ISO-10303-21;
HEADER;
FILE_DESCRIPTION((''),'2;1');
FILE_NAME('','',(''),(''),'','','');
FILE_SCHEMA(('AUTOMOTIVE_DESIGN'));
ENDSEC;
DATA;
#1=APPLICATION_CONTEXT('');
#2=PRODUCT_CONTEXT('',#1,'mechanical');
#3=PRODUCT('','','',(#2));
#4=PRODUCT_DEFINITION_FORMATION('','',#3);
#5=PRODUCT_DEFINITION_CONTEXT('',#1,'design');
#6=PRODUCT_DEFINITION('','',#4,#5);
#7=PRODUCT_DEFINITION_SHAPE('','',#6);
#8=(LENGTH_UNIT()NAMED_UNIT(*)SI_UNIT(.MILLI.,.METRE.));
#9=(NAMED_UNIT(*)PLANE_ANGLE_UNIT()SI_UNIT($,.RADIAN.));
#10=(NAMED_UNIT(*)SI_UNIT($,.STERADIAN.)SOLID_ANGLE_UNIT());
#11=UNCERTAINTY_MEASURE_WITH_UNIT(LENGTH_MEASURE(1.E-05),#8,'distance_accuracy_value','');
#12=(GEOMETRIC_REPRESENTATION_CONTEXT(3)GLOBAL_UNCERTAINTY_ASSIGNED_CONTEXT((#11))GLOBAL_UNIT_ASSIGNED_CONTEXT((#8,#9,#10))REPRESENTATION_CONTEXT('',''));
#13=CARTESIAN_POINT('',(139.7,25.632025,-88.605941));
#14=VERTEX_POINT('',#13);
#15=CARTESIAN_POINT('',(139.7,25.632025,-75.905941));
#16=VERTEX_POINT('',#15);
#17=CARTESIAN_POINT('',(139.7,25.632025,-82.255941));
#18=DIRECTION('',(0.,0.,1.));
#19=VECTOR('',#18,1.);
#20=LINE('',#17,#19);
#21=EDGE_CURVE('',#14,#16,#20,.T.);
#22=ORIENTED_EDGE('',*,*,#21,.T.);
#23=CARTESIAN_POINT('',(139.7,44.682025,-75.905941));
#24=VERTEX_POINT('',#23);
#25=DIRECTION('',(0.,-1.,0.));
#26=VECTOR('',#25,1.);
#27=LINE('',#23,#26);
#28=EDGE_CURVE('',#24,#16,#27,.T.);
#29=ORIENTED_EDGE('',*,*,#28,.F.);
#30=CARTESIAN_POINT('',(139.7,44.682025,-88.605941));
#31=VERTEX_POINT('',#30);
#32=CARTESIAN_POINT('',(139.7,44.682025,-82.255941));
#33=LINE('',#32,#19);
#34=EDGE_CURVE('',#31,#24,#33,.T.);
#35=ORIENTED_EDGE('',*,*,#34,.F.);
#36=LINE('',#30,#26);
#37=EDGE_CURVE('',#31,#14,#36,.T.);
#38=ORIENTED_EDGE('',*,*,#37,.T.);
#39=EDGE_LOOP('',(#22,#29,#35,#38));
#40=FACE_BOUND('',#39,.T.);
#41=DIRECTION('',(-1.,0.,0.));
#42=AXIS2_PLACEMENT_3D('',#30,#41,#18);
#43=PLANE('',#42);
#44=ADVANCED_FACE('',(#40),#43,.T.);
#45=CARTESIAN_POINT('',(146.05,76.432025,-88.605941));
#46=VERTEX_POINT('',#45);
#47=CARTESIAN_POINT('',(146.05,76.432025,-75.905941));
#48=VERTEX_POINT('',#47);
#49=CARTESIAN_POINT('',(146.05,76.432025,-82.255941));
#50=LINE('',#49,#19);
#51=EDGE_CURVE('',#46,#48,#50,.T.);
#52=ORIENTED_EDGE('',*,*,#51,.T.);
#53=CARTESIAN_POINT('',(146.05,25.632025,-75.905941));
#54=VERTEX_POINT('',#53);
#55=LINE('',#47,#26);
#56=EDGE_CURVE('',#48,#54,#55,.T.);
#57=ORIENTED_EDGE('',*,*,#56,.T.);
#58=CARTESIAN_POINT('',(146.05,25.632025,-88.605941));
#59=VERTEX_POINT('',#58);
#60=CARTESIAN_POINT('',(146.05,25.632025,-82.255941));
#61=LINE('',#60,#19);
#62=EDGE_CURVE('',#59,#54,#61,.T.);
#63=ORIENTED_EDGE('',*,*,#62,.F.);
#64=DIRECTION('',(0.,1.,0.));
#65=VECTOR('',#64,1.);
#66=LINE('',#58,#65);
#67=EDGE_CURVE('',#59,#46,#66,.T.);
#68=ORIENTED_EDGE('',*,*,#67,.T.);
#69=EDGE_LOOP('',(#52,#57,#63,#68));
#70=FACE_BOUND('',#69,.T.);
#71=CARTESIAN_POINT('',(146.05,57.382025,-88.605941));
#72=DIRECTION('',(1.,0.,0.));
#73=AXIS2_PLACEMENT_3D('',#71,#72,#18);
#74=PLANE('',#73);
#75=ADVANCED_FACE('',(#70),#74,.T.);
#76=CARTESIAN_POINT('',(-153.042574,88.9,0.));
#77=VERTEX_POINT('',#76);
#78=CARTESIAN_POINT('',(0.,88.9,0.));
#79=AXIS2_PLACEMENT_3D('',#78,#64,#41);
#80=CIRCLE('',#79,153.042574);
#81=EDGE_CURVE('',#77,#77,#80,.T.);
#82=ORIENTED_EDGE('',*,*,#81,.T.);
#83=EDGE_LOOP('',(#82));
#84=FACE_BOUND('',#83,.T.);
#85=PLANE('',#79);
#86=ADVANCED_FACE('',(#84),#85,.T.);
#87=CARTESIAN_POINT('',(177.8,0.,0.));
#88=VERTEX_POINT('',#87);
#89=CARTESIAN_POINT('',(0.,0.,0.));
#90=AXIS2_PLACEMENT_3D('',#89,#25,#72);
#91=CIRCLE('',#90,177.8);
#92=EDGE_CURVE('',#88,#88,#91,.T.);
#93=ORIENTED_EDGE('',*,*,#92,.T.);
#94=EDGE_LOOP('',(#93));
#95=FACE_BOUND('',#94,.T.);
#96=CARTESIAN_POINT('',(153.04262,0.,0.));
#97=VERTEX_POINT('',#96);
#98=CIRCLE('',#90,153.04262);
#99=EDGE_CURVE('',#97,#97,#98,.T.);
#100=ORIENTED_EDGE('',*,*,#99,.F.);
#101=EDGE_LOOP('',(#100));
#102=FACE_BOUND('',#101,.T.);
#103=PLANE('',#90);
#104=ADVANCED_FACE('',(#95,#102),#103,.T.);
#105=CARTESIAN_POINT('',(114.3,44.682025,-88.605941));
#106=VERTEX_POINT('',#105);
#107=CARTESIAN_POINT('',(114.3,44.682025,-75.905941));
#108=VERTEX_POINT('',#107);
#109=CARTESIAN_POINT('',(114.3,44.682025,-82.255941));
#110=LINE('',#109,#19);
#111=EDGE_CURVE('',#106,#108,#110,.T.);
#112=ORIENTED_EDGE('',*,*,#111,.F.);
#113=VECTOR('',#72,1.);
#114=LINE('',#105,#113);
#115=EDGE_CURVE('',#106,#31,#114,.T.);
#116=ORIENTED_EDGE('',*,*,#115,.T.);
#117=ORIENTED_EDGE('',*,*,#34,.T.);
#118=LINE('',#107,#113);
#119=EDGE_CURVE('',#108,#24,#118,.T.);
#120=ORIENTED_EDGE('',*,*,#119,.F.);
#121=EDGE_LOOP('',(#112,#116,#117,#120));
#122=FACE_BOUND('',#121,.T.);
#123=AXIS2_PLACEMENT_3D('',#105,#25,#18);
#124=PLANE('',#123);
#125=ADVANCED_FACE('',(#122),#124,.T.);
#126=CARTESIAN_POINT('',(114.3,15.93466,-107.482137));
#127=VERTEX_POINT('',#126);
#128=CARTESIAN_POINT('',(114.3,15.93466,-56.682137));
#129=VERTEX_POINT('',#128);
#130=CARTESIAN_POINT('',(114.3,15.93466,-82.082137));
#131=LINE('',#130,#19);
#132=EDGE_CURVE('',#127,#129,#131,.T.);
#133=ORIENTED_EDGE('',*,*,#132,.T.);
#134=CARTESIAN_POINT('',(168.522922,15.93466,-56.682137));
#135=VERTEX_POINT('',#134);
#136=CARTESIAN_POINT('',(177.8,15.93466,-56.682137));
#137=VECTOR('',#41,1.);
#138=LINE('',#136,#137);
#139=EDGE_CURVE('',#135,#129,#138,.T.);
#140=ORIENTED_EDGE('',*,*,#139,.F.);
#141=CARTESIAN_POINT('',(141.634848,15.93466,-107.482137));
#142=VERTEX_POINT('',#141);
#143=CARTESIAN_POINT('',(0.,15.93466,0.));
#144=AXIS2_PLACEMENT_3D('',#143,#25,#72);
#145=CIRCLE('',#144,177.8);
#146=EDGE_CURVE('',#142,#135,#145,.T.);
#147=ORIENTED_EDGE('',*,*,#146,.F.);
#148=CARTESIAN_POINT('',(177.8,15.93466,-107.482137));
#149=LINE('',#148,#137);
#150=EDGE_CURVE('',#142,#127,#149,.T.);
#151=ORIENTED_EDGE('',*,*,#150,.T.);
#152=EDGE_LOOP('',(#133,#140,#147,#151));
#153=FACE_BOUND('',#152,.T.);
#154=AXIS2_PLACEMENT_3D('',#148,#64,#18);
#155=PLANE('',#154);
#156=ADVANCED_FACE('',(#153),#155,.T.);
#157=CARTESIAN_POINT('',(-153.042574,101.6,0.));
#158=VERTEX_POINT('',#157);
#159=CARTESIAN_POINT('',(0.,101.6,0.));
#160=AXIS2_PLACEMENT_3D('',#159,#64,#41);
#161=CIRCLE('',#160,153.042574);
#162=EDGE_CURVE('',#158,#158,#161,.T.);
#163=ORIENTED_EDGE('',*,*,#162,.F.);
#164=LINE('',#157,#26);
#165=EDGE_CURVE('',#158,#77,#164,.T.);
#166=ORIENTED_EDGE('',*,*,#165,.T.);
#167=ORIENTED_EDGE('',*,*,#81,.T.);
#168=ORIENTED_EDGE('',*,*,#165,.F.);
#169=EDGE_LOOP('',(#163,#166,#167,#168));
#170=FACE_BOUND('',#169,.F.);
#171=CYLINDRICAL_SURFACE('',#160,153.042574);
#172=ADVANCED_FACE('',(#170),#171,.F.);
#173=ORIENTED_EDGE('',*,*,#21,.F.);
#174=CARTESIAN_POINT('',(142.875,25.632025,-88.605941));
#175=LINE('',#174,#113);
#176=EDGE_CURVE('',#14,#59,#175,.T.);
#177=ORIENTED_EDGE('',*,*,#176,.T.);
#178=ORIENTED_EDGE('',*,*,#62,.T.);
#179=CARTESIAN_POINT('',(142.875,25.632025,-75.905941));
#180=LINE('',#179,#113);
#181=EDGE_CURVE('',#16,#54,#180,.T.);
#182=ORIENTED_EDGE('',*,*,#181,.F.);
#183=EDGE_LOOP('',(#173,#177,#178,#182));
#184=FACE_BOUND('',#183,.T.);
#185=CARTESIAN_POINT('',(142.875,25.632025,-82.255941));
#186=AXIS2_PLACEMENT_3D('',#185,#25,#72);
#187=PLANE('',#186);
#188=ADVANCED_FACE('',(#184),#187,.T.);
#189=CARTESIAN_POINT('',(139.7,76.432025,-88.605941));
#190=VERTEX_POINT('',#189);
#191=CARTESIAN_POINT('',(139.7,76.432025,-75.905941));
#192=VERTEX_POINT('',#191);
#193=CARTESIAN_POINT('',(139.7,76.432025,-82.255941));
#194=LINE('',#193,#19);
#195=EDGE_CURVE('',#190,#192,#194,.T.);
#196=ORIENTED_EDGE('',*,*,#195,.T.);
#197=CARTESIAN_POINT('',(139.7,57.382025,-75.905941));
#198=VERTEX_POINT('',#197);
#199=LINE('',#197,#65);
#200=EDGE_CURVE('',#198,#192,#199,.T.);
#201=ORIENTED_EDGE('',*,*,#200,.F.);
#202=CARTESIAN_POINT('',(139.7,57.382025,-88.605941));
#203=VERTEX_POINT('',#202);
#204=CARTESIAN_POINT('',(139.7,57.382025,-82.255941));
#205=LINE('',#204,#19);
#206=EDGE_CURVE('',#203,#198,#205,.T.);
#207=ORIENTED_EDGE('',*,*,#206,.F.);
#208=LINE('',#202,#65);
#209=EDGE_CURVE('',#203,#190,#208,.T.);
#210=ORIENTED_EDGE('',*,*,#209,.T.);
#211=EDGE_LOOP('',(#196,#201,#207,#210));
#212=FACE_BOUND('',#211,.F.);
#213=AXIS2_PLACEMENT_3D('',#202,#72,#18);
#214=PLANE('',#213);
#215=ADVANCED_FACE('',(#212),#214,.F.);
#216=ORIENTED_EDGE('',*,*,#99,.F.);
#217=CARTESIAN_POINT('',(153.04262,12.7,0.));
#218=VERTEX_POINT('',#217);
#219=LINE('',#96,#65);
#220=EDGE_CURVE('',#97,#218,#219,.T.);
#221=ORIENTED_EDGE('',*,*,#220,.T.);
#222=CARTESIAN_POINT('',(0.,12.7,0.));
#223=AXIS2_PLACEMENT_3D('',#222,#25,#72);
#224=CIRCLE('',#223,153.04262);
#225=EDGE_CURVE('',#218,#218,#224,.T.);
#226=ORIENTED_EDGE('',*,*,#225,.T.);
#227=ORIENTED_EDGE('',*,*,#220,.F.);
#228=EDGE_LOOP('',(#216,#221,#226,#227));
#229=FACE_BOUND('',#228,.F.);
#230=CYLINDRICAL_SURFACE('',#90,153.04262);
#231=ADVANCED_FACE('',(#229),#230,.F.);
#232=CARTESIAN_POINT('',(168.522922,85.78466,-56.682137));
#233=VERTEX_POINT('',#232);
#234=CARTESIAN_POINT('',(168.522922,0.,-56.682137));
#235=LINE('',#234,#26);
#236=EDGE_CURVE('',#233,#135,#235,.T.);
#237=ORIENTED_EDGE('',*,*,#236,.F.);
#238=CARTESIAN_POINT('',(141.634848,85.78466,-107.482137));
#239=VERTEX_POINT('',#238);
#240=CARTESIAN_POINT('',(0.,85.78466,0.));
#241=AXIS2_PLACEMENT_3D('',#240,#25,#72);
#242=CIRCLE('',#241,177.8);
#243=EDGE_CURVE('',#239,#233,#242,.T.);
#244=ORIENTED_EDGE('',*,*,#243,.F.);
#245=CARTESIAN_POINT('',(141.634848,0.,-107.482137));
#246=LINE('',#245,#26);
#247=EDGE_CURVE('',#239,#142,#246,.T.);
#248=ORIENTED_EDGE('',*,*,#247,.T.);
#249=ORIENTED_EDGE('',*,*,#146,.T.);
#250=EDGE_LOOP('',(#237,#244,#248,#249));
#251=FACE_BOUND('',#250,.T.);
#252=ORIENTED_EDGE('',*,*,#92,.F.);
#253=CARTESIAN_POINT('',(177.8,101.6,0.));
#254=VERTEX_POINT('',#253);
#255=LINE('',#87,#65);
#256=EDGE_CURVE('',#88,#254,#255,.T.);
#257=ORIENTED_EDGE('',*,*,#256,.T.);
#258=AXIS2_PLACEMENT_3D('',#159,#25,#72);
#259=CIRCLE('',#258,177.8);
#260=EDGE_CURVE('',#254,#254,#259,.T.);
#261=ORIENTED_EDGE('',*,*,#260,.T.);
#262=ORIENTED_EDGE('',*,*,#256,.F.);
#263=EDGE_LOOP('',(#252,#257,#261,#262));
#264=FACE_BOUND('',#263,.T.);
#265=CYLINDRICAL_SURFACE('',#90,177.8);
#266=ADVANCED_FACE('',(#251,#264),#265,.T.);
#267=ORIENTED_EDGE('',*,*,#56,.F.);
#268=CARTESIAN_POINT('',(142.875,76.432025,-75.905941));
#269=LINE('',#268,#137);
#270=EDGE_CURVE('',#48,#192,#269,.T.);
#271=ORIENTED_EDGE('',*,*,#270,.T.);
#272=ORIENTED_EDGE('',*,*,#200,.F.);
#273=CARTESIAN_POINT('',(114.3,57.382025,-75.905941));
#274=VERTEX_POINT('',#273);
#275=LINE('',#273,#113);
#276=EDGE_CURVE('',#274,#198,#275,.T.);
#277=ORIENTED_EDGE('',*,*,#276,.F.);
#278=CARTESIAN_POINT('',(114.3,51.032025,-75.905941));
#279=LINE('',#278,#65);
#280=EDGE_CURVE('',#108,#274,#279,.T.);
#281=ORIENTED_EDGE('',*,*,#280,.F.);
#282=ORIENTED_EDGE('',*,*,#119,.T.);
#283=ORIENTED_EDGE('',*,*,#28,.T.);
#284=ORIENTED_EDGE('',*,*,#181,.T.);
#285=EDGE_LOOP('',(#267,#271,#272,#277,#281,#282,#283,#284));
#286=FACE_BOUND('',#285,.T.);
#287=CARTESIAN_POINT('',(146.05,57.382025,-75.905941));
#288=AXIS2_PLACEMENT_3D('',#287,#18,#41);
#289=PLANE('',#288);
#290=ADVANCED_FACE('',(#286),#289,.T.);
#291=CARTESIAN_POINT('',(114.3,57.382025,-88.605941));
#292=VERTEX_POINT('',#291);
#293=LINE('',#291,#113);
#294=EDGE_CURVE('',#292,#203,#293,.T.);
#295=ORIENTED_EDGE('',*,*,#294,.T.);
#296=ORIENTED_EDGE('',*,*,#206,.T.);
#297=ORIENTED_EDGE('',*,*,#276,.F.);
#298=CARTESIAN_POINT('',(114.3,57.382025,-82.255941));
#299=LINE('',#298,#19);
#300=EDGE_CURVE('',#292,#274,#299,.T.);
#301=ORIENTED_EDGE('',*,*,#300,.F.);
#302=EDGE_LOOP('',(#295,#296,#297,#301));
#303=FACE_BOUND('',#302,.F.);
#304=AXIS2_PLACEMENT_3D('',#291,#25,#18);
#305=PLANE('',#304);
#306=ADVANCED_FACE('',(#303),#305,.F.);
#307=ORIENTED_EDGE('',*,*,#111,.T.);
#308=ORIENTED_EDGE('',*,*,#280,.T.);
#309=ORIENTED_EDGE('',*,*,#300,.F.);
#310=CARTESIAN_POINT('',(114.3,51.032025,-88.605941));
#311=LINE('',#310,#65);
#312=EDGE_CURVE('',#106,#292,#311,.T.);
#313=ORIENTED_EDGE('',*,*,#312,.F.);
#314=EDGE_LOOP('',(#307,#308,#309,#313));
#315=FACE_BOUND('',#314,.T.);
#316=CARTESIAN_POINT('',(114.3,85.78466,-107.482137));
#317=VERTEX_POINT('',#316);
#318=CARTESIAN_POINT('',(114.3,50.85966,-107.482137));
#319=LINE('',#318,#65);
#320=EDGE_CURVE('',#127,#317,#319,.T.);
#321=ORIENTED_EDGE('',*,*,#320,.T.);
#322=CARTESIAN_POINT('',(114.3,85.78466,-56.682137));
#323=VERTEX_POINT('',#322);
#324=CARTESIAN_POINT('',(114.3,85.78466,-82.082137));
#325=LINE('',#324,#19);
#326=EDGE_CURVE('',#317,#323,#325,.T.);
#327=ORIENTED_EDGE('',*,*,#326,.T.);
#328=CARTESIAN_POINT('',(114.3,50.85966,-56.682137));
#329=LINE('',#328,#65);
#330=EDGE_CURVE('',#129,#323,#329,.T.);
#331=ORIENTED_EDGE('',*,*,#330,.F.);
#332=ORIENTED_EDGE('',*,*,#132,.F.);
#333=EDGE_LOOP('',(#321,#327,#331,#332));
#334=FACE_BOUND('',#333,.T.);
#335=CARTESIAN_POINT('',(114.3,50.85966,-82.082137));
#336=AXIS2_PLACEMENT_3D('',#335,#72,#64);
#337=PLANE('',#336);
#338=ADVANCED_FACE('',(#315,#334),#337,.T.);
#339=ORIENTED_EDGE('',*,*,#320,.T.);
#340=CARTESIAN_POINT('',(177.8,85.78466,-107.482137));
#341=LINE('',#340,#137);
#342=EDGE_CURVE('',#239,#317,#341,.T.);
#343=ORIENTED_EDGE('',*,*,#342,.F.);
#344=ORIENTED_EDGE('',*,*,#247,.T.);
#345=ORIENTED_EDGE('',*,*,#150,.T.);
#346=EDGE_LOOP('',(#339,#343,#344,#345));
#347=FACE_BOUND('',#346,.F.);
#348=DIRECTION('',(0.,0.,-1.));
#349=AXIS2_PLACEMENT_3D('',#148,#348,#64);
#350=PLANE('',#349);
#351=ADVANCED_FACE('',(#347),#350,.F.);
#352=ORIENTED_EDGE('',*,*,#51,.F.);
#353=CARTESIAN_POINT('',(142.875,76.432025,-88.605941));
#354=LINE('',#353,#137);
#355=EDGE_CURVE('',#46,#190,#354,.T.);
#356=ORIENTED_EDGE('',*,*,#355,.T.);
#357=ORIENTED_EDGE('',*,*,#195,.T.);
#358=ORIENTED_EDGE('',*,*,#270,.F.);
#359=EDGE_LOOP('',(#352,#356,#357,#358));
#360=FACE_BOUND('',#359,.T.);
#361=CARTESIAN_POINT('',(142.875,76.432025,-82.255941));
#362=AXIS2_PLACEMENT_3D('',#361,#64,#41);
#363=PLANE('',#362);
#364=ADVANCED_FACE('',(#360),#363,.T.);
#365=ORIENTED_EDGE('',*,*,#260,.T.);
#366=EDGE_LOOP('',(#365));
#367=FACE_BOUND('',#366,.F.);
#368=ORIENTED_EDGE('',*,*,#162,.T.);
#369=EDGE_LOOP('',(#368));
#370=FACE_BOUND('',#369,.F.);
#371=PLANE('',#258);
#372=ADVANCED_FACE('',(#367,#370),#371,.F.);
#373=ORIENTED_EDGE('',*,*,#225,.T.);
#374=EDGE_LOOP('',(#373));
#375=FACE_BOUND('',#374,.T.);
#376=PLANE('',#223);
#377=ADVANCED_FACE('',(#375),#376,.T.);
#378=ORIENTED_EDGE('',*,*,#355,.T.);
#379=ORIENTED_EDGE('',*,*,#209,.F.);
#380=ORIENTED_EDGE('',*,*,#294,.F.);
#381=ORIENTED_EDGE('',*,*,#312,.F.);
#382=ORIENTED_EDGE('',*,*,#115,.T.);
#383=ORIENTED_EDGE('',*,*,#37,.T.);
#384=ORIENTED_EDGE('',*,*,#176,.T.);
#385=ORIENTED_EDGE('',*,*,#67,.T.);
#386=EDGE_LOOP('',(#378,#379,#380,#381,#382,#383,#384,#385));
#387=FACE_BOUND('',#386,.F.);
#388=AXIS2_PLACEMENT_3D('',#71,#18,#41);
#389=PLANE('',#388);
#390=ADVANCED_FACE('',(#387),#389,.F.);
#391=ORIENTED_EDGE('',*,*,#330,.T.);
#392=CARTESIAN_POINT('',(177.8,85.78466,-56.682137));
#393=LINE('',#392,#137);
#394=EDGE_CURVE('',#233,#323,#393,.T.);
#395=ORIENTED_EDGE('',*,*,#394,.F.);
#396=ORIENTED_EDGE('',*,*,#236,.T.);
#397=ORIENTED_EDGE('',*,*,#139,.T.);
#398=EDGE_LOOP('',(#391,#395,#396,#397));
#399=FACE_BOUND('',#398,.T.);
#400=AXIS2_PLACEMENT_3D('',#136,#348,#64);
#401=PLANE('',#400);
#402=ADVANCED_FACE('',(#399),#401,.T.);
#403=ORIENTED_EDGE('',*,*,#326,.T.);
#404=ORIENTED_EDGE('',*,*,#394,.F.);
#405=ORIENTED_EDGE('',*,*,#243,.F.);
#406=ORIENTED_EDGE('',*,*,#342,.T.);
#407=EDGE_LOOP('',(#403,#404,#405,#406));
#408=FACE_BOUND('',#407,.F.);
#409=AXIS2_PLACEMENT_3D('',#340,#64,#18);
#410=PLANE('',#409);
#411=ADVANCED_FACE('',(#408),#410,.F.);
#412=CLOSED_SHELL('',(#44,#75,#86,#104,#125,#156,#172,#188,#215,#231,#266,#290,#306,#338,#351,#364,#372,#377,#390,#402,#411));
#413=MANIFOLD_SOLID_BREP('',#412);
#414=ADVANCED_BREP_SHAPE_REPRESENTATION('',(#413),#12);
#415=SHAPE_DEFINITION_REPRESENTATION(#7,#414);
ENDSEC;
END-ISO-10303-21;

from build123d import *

# Parameters (mm, degrees)
F0_R      = 177.8
F1_DEPTH  = 101.6
F2_R      = 153.042574
F3_DEPTH  = 12.7
F4_R      = 153.04262
F5_DEPTH  = 12.7
F7_W      = 69.85
F7_H      = 50.8
F8_DEPTH  = 63.5
F10_W     = 12.7
F10_H     = 12.7
F11_DEPTH = 31.75
F12_W     = 6.35
F12_H     = 12.7
F13_DEPTH = 19.05
F14_W     = 6.35
F14_H     = 12.7
F15_DEPTH = 19.05


with BuildPart() as f1:
    # F0 (on Front) → F1 (new body)
    with BuildSketch(Plane.XZ):
        Circle(F0_R)
    extrude(amount=-F1_DEPTH)

    # F2 (on face) → F3 (cut)
    with BuildSketch(Plane(origin=(0, 101.6, 0), x_dir=(-1, 0, 0), z_dir=(0, 1, 0))):
        Circle(F2_R)
    extrude(amount=-F3_DEPTH, mode=Mode.SUBTRACT)

    # F4 (on face) → F5 (cut)
    with BuildSketch(Plane.XZ):
        Circle(F4_R)
    extrude(amount=-F5_DEPTH, mode=Mode.SUBTRACT)

    # F7 (on offset) → F8 (cut)
    with BuildSketch(Plane.YZ.offset(177.8)):
        with Locations((50.85966, -82.082137)):
            Rectangle(F7_W, F7_H)
    extrude(amount=-F8_DEPTH, mode=Mode.SUBTRACT)

    # F10 (on offset) → F11 (join)
    with BuildSketch(Plane.YZ.offset(114.3)):
        with Locations((51.032025, -82.255941)):
            Rectangle(F10_W, F10_H)
    extrude(amount=F11_DEPTH)

    # F12 (on face) → F13 (join)
    with BuildSketch(Plane.XZ.offset(-44.682025)):
        with Locations((142.875, -82.255941)):
            Rectangle(F12_W, F12_H)
    extrude(amount=F13_DEPTH)

    # F14 (on face) → F15 (join)
    with BuildSketch(Plane(origin=(0, 57.382025, 0), x_dir=(-1, 0, 0), z_dir=(0, 1, 0))):
        with Locations((-142.875, -82.255941)):
            Rectangle(F14_W, F14_H)
    extrude(amount=F15_DEPTH)


solid = f1.part
